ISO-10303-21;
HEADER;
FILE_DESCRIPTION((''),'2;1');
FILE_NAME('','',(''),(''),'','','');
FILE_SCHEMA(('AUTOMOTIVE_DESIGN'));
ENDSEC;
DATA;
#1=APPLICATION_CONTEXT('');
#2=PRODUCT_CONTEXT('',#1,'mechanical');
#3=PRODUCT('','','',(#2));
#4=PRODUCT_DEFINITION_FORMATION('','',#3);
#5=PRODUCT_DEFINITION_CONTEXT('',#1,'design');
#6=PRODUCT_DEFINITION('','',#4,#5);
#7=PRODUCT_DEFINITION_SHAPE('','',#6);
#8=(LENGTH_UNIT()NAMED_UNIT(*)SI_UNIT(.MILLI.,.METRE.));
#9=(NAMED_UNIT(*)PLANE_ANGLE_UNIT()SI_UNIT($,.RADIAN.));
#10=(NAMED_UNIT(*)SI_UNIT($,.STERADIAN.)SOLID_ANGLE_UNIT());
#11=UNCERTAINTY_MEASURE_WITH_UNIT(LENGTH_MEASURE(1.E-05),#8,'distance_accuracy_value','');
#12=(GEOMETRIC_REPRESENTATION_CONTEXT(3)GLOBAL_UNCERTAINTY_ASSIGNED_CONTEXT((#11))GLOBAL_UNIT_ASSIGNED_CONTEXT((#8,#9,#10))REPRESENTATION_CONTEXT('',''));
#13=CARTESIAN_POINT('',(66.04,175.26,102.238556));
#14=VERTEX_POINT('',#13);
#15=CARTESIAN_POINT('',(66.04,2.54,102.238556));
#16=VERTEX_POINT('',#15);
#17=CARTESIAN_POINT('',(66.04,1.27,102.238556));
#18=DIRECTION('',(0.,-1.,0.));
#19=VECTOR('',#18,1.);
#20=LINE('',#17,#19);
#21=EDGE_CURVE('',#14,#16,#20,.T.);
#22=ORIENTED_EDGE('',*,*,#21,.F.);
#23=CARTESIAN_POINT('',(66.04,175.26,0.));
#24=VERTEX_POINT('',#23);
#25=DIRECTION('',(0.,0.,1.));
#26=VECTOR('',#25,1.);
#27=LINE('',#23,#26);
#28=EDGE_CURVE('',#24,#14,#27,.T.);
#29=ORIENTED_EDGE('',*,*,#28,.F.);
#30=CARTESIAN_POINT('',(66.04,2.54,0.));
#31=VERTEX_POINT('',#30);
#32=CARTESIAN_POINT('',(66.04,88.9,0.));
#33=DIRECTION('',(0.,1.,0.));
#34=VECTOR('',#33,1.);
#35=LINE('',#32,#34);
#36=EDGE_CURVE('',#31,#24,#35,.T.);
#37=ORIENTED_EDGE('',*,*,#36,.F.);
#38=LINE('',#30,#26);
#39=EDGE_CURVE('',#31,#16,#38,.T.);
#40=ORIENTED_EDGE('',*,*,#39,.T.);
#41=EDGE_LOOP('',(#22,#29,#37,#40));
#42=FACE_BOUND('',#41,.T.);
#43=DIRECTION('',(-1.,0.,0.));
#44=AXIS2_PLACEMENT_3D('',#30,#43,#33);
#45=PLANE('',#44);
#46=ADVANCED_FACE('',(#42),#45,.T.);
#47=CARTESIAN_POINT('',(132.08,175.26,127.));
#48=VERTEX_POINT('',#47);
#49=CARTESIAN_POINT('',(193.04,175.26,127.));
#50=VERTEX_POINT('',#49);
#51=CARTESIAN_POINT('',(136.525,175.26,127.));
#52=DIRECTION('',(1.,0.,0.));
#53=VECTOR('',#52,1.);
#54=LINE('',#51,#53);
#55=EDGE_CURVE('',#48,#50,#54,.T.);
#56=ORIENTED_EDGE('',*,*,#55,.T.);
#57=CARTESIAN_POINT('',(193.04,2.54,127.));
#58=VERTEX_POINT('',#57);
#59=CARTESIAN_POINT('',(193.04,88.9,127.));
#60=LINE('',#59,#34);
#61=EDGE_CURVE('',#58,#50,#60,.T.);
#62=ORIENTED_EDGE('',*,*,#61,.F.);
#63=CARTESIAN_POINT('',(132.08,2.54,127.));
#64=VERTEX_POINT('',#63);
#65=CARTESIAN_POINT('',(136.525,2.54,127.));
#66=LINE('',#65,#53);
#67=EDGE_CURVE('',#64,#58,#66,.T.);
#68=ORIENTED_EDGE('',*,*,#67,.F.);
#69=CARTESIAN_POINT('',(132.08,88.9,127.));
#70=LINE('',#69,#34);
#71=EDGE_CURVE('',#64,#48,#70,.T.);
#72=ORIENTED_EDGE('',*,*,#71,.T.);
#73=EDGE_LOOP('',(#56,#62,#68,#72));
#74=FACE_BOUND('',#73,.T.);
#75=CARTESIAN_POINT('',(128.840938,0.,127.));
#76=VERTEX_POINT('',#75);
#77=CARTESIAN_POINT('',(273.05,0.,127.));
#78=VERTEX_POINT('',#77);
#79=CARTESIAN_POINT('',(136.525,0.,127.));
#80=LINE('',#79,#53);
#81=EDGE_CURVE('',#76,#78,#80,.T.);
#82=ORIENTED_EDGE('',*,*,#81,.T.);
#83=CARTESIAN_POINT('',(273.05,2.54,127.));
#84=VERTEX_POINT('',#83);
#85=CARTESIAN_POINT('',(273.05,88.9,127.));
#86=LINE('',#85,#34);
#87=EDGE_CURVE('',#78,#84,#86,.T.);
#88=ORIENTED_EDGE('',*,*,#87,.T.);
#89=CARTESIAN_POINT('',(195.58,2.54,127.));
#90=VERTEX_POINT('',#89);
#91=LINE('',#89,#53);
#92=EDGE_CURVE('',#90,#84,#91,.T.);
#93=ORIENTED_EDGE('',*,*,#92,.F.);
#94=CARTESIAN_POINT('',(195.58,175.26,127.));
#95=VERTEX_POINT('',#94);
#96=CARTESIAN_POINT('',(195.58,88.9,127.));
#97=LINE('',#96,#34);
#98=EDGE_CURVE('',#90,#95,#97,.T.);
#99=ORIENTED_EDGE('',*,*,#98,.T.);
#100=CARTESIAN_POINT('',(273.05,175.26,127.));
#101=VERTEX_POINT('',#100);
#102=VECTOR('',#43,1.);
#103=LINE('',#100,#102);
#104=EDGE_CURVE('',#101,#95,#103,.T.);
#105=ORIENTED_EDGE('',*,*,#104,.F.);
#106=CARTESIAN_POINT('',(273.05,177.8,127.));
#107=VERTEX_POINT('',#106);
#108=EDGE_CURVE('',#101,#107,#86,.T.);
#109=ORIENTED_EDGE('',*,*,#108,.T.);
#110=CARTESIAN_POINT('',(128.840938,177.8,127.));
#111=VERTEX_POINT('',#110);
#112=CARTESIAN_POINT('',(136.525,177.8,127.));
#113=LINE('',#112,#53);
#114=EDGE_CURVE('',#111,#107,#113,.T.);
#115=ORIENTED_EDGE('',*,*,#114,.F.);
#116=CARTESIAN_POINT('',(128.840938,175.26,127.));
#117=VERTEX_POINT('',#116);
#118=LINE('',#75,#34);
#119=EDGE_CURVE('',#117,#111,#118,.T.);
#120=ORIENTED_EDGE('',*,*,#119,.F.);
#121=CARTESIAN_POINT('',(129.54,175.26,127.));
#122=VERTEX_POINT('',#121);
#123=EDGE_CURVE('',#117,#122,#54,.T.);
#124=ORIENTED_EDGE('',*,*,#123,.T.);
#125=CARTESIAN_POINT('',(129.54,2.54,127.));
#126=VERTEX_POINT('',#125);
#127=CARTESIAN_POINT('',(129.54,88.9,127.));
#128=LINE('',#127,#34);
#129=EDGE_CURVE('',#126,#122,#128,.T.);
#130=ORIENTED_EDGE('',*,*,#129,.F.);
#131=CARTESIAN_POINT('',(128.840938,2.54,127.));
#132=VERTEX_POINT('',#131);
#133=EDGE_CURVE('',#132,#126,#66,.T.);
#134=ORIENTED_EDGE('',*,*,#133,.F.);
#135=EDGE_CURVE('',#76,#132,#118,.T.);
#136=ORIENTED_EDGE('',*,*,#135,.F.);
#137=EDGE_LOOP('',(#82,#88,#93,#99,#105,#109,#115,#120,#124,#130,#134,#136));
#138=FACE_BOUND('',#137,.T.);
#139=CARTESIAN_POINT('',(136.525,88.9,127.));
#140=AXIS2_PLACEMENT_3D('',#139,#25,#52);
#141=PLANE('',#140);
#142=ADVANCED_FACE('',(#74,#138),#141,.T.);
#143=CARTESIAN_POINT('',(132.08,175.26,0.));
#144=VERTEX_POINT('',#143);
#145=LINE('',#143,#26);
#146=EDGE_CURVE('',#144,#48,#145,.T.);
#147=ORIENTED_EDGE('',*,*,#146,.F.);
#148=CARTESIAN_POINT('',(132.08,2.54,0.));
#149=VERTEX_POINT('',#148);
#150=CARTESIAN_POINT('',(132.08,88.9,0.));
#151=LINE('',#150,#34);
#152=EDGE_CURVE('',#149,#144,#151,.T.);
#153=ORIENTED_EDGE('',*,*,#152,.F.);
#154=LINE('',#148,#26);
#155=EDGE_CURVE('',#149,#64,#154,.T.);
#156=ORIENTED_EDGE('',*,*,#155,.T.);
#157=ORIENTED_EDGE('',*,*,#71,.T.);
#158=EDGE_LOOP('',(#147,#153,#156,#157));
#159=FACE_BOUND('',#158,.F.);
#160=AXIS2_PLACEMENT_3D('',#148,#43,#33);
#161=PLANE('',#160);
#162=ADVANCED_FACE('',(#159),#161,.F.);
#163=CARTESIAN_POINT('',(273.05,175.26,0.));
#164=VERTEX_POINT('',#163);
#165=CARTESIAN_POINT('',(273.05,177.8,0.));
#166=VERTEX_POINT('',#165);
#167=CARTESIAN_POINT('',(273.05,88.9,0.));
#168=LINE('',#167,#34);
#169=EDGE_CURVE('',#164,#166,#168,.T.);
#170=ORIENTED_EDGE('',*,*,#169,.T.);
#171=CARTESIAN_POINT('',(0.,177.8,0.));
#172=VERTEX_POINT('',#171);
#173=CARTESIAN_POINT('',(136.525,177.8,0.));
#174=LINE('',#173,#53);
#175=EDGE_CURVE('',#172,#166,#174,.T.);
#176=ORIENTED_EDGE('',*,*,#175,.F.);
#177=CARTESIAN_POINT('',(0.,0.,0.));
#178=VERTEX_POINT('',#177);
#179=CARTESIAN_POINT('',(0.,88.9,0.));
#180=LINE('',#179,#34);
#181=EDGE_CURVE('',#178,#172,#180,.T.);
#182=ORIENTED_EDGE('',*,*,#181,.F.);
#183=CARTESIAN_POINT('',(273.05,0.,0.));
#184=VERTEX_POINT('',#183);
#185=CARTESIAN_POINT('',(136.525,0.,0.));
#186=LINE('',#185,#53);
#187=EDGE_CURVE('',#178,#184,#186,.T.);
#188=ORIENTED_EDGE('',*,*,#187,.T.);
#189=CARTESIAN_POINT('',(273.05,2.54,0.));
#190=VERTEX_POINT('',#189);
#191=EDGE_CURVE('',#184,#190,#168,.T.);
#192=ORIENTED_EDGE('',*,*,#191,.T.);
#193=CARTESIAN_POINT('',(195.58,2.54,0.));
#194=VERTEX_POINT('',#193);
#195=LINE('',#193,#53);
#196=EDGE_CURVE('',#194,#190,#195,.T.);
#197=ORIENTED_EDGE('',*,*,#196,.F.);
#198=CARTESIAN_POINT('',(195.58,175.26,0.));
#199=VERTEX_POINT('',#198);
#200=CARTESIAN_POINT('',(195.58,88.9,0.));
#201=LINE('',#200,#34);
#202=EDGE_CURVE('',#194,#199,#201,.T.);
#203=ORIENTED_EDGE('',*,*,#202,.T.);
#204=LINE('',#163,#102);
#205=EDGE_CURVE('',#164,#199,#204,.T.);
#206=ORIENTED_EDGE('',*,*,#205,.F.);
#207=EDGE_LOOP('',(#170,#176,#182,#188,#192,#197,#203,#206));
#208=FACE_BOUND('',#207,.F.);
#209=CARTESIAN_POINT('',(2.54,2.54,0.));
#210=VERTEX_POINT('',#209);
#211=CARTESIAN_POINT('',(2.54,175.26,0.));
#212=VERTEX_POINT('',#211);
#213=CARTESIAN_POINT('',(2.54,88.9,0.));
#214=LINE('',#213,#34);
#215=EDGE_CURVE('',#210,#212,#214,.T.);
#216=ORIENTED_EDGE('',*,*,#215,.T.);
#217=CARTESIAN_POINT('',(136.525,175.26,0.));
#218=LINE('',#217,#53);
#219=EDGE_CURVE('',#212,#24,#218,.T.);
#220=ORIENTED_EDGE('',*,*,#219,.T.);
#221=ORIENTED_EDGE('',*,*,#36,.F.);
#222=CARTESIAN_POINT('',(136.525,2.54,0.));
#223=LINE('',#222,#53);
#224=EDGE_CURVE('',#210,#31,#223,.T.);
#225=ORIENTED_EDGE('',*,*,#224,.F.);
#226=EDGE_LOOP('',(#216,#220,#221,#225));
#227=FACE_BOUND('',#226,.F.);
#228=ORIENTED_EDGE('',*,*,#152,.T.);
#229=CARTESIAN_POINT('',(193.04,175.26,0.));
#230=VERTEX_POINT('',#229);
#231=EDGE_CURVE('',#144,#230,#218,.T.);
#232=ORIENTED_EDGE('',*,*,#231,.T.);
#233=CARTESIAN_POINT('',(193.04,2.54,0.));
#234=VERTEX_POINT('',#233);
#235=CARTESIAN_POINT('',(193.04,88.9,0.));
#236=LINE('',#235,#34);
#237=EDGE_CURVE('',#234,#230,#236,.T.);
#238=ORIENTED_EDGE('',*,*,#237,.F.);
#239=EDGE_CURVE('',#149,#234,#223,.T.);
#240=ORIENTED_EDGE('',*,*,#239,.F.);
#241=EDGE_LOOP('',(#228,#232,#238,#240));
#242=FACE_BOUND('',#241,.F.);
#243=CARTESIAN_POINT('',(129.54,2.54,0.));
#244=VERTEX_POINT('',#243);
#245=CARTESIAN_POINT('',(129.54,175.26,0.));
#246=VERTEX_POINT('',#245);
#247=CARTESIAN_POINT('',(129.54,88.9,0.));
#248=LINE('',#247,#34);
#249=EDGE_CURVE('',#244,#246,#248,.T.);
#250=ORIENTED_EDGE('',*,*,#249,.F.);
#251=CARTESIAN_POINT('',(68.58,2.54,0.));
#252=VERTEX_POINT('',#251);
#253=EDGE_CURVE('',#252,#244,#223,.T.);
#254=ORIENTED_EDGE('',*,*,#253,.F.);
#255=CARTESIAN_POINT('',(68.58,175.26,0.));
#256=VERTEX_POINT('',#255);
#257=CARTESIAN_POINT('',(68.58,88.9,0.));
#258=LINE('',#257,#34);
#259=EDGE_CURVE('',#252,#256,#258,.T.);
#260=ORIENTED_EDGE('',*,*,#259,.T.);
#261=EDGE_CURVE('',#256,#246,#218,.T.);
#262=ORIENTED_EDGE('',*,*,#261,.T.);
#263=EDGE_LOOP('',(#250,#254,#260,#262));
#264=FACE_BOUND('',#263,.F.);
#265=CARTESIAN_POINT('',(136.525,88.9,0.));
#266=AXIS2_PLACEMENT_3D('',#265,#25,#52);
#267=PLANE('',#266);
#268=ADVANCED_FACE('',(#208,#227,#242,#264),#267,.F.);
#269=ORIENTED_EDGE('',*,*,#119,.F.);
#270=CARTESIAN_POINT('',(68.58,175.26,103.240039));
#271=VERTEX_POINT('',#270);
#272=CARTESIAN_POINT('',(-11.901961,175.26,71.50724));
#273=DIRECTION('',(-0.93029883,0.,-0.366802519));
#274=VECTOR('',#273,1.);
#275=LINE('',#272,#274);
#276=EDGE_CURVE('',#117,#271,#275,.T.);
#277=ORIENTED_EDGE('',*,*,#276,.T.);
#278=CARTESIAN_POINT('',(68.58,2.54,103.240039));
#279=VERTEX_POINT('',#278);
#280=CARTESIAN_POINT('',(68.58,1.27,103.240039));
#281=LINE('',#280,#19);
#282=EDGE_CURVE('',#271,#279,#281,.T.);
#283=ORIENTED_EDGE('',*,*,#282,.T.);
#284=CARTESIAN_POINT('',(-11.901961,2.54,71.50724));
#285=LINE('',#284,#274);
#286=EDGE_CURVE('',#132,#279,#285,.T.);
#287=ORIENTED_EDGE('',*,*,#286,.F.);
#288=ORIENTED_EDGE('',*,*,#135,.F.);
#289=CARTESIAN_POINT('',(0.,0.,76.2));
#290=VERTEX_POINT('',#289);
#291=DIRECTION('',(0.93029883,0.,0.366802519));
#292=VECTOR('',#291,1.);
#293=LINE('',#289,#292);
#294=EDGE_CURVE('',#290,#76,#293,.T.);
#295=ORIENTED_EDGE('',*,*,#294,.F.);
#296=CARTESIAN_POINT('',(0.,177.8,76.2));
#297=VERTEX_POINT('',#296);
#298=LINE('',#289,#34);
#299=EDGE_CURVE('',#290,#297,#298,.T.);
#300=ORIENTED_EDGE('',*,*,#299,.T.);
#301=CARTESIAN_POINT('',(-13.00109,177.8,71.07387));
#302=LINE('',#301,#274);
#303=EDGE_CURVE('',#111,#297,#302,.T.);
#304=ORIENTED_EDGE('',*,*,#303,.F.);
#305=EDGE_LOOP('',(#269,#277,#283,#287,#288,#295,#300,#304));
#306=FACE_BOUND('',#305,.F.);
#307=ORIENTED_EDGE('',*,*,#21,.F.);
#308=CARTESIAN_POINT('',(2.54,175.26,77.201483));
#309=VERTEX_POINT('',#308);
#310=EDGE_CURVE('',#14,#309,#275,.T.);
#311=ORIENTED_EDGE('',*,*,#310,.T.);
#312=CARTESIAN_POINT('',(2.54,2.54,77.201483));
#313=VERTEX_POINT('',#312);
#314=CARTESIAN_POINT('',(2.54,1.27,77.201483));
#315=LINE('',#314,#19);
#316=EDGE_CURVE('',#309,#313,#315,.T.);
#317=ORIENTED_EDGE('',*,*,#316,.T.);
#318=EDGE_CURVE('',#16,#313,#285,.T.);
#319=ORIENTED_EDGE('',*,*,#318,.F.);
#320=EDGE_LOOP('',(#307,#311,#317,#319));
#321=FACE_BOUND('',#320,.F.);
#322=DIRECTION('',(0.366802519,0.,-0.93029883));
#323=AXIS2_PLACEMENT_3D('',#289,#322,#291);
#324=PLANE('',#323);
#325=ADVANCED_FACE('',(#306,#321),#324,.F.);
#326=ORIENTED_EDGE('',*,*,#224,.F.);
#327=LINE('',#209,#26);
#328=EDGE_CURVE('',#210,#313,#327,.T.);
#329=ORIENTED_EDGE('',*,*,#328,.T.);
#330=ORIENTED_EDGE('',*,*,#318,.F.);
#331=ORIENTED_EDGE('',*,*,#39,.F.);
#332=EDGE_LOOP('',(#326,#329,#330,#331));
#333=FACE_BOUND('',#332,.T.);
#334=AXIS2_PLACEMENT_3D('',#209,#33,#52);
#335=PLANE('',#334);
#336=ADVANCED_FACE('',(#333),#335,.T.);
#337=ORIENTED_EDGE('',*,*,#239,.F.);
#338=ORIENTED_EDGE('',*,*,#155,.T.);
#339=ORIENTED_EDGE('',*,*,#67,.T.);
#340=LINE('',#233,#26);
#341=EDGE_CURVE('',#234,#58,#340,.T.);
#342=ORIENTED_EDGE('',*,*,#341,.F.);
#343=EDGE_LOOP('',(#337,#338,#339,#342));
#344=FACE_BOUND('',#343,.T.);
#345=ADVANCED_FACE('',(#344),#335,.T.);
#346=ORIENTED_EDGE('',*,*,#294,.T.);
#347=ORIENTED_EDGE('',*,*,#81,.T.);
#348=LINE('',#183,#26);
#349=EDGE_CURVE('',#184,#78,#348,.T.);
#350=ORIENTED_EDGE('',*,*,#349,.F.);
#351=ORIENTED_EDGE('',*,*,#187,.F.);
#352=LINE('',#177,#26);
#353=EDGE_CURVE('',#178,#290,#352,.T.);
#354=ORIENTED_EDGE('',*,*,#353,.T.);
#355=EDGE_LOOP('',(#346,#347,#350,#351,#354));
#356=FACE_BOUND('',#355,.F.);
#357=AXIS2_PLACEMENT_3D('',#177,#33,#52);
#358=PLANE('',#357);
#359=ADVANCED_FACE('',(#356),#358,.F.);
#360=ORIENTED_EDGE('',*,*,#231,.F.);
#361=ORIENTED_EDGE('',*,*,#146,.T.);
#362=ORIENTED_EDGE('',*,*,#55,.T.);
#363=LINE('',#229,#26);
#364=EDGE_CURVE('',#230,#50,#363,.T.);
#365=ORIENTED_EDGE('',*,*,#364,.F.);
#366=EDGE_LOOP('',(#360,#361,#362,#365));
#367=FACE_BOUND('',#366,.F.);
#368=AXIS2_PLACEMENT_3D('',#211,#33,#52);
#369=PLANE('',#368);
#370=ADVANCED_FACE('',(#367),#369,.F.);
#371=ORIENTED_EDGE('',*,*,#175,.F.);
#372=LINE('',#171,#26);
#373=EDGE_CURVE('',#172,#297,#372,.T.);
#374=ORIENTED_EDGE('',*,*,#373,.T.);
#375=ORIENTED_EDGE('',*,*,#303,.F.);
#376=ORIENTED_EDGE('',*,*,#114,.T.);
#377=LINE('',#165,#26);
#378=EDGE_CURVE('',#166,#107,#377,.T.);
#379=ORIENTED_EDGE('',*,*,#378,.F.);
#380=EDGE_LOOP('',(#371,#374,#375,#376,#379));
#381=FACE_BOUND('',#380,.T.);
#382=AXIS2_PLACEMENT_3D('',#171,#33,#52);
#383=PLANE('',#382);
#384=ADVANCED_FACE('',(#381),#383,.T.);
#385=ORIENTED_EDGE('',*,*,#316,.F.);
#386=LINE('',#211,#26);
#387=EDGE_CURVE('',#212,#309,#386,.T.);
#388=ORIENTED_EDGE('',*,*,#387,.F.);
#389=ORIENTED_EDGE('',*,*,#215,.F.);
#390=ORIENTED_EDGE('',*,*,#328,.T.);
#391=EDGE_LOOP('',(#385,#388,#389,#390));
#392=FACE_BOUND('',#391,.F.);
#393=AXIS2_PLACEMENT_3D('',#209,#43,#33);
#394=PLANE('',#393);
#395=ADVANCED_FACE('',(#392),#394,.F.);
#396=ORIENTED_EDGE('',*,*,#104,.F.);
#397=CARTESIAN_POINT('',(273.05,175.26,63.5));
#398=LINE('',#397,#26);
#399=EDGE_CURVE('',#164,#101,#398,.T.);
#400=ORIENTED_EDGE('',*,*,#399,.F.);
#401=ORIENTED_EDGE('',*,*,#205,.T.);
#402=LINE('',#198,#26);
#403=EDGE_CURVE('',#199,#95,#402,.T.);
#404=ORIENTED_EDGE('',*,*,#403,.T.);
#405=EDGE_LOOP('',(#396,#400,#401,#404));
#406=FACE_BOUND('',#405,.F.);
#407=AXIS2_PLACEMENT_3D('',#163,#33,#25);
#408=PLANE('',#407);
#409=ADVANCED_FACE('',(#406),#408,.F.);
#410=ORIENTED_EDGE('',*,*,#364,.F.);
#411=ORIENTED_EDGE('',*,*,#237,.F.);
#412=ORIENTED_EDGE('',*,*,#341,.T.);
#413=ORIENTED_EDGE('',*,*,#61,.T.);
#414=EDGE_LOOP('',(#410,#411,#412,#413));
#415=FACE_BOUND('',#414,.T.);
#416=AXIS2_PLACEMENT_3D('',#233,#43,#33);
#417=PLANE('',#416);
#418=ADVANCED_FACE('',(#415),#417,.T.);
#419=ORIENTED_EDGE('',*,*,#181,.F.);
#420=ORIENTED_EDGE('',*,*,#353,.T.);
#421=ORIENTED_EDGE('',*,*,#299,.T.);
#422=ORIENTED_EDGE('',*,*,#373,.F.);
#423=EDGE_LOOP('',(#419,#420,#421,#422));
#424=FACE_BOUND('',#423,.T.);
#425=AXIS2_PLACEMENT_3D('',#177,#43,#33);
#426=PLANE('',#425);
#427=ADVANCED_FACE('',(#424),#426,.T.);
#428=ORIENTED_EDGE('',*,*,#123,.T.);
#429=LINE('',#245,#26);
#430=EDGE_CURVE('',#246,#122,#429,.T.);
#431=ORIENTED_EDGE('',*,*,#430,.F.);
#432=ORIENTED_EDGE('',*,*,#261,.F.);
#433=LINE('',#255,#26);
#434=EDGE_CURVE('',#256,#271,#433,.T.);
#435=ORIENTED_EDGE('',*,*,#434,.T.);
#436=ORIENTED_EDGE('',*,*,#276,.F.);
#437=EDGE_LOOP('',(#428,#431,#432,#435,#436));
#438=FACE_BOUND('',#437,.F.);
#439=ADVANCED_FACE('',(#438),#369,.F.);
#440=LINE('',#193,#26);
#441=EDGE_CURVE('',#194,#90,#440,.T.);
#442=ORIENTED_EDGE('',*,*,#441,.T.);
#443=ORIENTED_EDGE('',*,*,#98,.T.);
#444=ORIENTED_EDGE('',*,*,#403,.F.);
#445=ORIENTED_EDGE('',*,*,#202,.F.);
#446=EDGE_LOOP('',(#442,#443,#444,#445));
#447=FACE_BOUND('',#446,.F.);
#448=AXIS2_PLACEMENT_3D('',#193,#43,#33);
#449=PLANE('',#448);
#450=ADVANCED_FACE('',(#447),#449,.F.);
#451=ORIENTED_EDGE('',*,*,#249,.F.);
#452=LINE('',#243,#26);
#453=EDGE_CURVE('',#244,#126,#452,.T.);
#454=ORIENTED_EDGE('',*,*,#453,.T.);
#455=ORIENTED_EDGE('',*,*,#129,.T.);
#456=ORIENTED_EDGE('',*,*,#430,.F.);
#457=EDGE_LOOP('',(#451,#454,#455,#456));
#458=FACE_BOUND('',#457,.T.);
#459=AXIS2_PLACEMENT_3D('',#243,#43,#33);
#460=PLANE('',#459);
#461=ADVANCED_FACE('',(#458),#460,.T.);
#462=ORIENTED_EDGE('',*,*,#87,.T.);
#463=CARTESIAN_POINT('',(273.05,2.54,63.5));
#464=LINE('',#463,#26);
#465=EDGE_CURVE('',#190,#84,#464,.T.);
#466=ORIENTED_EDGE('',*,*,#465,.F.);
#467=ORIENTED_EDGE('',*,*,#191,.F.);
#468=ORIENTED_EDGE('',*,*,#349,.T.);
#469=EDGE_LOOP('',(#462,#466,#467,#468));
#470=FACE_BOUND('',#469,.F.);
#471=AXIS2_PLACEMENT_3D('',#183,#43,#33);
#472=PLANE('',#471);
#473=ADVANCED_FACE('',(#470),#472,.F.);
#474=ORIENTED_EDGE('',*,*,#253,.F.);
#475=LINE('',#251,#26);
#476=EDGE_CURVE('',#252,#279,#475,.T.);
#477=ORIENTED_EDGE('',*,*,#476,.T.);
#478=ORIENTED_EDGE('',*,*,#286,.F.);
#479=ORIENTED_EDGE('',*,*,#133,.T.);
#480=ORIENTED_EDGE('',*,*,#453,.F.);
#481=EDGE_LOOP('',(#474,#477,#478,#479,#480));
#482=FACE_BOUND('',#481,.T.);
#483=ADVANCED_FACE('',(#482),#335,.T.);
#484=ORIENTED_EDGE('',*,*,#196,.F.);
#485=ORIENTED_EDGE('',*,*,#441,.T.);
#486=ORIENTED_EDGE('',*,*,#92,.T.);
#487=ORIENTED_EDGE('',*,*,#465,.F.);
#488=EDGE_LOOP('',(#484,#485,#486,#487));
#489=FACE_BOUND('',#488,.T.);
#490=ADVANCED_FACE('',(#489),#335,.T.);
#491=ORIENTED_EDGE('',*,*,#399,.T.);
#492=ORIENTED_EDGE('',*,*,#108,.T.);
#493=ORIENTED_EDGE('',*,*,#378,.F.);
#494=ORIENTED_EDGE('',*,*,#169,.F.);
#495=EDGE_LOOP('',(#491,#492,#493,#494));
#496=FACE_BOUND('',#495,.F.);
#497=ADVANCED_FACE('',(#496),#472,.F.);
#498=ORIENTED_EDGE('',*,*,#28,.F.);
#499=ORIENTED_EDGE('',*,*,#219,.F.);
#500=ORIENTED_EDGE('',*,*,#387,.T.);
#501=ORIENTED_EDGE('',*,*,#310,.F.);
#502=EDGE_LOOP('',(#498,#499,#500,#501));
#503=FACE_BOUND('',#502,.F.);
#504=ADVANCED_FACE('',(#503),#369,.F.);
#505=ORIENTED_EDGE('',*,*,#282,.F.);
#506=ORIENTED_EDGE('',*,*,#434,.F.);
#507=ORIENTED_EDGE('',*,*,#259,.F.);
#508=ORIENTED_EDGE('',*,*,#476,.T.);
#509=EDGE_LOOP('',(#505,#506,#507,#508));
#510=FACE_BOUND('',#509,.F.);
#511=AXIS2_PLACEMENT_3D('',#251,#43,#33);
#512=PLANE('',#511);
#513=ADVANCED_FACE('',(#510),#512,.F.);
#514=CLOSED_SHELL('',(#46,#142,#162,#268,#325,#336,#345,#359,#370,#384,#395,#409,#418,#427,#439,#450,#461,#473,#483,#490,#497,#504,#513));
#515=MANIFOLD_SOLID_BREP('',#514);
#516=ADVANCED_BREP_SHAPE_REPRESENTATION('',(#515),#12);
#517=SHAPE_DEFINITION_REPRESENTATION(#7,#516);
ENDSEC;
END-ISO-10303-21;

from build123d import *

# Parameters (mm, degrees)
F0_W     = 273.05
F0_H     = 177.8
F0_W_2   = 267.97
F0_H_2   = 172.72
F1_DEPTH = 127
F2_W     = 2.54
F2_H     = 172.72
F3_DEPTH = 127
F5_DEPTH = 177.801
F6_W     = 172.72
F6_H     = 127
F7_DEPTH = 25.4


with BuildPart() as f1:
    # F0 (on Top) → F1 (new body)
    with BuildSketch(Plane.XY):
        with Locations((136.525, 88.9)):
            Rectangle(F0_W, F0_H)
        with Locations((136.525, 88.9)):
            Rectangle(F0_W_2, F0_H_2, mode=Mode.SUBTRACT)
    extrude(amount=F1_DEPTH)

    # F2 (on Top) → F3 (join)
    with BuildSketch(Plane.XY):
        with Locations((67.31, 88.9)):
            Rectangle(F2_W, F2_H)
        with Locations((130.81, 88.9)):
            Rectangle(F2_W, F2_H)
        with Locations((194.31, 88.9)):
            Rectangle(F2_W, F2_H)
    extrude(amount=F3_DEPTH)

    # F4 (on face) → F5 (cut, through all)
    with BuildSketch(Plane.XZ):
        Polygon((0, 76.2), (128.840938, 127), (0, 127), align=None)
    extrude(amount=-F5_DEPTH, mode=Mode.SUBTRACT)

    # F6 (on face) → F7 (cut)
    with BuildSketch(Plane.YZ.offset(273.05)):
        with Locations((88.9, 63.5)):
            Rectangle(F6_W, F6_H)
    extrude(amount=-F7_DEPTH, mode=Mode.SUBTRACT)


solid = f1.part
